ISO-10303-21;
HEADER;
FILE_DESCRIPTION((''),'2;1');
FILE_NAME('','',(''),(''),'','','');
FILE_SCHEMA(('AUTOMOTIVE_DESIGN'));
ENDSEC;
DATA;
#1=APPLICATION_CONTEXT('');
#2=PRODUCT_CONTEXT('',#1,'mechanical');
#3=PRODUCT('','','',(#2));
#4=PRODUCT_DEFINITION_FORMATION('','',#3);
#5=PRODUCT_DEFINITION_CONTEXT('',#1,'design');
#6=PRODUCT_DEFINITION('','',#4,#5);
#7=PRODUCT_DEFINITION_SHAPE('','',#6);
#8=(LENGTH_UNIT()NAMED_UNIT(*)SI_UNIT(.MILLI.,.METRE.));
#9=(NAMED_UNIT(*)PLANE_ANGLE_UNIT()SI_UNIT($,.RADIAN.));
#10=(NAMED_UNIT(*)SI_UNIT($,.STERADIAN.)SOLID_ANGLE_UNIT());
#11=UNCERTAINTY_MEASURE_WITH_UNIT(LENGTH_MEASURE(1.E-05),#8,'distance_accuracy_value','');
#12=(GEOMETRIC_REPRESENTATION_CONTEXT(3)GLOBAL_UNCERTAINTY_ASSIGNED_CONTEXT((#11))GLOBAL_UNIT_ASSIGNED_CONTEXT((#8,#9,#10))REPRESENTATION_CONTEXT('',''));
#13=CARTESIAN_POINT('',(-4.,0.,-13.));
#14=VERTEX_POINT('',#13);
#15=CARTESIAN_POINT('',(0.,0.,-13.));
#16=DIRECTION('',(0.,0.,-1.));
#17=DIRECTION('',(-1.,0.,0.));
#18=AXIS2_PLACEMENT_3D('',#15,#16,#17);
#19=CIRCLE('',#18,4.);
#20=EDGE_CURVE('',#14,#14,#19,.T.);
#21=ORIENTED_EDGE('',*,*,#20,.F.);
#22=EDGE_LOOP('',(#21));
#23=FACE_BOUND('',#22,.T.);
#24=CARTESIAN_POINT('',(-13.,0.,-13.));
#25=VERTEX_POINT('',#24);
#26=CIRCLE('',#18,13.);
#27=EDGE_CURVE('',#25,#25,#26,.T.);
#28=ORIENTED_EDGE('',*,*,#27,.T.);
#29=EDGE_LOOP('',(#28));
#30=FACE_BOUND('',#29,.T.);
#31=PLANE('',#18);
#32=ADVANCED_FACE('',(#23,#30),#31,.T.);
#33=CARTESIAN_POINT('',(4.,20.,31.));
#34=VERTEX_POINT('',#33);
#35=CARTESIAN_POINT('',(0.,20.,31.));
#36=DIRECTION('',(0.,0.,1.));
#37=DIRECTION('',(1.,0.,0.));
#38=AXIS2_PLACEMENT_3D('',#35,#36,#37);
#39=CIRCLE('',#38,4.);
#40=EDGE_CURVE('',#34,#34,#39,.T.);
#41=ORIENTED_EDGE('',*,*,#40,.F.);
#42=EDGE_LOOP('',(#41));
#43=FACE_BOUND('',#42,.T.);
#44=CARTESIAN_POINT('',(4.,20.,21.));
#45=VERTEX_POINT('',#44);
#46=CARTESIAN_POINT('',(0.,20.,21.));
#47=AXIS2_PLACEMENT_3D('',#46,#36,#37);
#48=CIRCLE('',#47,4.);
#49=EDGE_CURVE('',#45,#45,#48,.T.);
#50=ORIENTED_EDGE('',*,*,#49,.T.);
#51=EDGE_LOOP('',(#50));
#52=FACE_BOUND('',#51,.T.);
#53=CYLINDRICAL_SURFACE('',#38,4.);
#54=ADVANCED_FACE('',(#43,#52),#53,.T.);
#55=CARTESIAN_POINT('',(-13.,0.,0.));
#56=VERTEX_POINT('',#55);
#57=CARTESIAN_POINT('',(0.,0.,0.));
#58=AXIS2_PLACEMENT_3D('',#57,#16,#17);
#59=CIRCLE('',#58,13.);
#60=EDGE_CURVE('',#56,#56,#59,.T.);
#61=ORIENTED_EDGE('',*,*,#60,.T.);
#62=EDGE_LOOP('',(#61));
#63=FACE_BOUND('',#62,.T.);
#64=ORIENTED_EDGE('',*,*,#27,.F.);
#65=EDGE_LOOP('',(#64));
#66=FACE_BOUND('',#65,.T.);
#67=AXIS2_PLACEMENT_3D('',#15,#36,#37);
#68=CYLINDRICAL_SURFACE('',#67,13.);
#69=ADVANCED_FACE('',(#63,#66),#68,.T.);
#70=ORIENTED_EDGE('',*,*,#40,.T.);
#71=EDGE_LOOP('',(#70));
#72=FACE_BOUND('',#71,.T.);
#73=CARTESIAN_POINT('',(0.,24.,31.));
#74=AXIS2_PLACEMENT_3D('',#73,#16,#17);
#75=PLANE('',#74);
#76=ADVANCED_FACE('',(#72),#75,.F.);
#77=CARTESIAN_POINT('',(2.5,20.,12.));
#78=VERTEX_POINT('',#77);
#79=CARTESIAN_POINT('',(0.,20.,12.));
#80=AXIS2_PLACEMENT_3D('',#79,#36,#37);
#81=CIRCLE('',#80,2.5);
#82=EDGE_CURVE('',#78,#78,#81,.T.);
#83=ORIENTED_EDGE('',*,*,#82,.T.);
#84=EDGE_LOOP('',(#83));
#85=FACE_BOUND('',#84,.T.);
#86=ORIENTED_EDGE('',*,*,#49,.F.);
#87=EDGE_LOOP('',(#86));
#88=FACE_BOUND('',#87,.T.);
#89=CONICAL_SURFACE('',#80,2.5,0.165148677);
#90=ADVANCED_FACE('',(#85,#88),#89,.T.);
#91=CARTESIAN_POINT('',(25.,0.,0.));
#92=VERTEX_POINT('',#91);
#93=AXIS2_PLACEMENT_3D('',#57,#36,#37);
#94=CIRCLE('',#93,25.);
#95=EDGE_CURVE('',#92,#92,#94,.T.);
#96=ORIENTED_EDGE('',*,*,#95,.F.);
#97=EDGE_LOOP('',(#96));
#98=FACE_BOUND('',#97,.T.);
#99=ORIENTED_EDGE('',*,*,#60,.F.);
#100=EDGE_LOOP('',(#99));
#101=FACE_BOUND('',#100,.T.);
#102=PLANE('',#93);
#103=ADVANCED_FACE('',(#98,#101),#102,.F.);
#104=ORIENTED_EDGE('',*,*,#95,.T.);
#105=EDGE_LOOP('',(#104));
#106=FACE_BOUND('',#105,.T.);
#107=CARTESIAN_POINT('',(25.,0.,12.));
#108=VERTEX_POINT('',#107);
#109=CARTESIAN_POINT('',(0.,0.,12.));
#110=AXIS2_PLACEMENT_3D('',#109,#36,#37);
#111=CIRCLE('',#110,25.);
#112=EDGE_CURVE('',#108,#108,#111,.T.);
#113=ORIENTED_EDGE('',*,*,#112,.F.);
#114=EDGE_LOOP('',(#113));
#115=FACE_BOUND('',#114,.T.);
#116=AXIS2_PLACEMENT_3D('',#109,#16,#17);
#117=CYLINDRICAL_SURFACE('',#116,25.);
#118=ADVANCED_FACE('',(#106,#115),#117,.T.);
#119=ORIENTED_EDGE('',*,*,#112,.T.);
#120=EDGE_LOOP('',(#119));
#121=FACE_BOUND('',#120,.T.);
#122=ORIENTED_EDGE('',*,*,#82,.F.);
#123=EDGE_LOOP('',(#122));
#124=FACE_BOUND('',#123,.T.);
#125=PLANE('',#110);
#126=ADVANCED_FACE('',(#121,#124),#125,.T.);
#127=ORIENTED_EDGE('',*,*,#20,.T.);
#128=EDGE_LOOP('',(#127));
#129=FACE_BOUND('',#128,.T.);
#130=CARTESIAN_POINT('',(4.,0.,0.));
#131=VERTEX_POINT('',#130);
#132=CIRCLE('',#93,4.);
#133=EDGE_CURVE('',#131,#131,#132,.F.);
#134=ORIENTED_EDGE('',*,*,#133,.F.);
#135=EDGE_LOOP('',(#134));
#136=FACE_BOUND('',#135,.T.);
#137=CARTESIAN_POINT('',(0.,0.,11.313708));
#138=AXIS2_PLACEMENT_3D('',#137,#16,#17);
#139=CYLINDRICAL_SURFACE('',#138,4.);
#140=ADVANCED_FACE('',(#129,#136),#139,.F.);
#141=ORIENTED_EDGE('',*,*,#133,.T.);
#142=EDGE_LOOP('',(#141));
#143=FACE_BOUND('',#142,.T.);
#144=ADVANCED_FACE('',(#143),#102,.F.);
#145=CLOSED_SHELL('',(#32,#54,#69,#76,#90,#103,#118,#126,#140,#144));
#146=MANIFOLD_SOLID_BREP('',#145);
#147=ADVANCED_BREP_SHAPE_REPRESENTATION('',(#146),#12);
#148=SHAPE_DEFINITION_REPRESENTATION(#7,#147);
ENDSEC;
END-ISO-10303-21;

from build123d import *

# Parameters (mm, degrees)
SKETCH_1_R          = 25
EXTRUDE_1_DEPTH     = 12
SKETCH_2_R          = 13
EXTRUDE_2_DEPTH     = 13
SKETCH_3_R          = 4
CUT_EXTRUDE_1_DEPTH = 13


with BuildPart() as part:
    # 草图1 → 凸台-拉伸1 (new body)
    with BuildSketch(Plane.XY):
        Circle(SKETCH_1_R)
    extrude(amount=EXTRUDE_1_DEPTH)

    # 草图2 → 凸台-拉伸2 (add)
    with BuildSketch(Plane(origin=(0, 0, 0), x_dir=(-1, 0, 0), z_dir=(0, 0, -1))):
        Circle(SKETCH_2_R)
    extrude(amount=EXTRUDE_2_DEPTH)

    # 草图3 → 切除-拉伸1 (cut)
    with BuildSketch(Plane(origin=(0, 0, -13), x_dir=(-1, 0, 0), z_dir=(0, 0, -1))):
        Circle(SKETCH_3_R)
    extrude(amount=-CUT_EXTRUDE_1_DEPTH, mode=Mode.SUBTRACT)

    # 草图4 → 旋转1 (revolve)
    with BuildSketch(Plane(origin=(0, 0, 0), x_dir=(0, 0, -1), z_dir=(1, 0, 0))):
        Polygon((-12, 22.5), (-21, 24), (-31, 24), (-31, 20), (-12, 20), align=None)
    revolve(axis=Axis((0, 20, 31), (0, 0, -1)))


solid = part.part
